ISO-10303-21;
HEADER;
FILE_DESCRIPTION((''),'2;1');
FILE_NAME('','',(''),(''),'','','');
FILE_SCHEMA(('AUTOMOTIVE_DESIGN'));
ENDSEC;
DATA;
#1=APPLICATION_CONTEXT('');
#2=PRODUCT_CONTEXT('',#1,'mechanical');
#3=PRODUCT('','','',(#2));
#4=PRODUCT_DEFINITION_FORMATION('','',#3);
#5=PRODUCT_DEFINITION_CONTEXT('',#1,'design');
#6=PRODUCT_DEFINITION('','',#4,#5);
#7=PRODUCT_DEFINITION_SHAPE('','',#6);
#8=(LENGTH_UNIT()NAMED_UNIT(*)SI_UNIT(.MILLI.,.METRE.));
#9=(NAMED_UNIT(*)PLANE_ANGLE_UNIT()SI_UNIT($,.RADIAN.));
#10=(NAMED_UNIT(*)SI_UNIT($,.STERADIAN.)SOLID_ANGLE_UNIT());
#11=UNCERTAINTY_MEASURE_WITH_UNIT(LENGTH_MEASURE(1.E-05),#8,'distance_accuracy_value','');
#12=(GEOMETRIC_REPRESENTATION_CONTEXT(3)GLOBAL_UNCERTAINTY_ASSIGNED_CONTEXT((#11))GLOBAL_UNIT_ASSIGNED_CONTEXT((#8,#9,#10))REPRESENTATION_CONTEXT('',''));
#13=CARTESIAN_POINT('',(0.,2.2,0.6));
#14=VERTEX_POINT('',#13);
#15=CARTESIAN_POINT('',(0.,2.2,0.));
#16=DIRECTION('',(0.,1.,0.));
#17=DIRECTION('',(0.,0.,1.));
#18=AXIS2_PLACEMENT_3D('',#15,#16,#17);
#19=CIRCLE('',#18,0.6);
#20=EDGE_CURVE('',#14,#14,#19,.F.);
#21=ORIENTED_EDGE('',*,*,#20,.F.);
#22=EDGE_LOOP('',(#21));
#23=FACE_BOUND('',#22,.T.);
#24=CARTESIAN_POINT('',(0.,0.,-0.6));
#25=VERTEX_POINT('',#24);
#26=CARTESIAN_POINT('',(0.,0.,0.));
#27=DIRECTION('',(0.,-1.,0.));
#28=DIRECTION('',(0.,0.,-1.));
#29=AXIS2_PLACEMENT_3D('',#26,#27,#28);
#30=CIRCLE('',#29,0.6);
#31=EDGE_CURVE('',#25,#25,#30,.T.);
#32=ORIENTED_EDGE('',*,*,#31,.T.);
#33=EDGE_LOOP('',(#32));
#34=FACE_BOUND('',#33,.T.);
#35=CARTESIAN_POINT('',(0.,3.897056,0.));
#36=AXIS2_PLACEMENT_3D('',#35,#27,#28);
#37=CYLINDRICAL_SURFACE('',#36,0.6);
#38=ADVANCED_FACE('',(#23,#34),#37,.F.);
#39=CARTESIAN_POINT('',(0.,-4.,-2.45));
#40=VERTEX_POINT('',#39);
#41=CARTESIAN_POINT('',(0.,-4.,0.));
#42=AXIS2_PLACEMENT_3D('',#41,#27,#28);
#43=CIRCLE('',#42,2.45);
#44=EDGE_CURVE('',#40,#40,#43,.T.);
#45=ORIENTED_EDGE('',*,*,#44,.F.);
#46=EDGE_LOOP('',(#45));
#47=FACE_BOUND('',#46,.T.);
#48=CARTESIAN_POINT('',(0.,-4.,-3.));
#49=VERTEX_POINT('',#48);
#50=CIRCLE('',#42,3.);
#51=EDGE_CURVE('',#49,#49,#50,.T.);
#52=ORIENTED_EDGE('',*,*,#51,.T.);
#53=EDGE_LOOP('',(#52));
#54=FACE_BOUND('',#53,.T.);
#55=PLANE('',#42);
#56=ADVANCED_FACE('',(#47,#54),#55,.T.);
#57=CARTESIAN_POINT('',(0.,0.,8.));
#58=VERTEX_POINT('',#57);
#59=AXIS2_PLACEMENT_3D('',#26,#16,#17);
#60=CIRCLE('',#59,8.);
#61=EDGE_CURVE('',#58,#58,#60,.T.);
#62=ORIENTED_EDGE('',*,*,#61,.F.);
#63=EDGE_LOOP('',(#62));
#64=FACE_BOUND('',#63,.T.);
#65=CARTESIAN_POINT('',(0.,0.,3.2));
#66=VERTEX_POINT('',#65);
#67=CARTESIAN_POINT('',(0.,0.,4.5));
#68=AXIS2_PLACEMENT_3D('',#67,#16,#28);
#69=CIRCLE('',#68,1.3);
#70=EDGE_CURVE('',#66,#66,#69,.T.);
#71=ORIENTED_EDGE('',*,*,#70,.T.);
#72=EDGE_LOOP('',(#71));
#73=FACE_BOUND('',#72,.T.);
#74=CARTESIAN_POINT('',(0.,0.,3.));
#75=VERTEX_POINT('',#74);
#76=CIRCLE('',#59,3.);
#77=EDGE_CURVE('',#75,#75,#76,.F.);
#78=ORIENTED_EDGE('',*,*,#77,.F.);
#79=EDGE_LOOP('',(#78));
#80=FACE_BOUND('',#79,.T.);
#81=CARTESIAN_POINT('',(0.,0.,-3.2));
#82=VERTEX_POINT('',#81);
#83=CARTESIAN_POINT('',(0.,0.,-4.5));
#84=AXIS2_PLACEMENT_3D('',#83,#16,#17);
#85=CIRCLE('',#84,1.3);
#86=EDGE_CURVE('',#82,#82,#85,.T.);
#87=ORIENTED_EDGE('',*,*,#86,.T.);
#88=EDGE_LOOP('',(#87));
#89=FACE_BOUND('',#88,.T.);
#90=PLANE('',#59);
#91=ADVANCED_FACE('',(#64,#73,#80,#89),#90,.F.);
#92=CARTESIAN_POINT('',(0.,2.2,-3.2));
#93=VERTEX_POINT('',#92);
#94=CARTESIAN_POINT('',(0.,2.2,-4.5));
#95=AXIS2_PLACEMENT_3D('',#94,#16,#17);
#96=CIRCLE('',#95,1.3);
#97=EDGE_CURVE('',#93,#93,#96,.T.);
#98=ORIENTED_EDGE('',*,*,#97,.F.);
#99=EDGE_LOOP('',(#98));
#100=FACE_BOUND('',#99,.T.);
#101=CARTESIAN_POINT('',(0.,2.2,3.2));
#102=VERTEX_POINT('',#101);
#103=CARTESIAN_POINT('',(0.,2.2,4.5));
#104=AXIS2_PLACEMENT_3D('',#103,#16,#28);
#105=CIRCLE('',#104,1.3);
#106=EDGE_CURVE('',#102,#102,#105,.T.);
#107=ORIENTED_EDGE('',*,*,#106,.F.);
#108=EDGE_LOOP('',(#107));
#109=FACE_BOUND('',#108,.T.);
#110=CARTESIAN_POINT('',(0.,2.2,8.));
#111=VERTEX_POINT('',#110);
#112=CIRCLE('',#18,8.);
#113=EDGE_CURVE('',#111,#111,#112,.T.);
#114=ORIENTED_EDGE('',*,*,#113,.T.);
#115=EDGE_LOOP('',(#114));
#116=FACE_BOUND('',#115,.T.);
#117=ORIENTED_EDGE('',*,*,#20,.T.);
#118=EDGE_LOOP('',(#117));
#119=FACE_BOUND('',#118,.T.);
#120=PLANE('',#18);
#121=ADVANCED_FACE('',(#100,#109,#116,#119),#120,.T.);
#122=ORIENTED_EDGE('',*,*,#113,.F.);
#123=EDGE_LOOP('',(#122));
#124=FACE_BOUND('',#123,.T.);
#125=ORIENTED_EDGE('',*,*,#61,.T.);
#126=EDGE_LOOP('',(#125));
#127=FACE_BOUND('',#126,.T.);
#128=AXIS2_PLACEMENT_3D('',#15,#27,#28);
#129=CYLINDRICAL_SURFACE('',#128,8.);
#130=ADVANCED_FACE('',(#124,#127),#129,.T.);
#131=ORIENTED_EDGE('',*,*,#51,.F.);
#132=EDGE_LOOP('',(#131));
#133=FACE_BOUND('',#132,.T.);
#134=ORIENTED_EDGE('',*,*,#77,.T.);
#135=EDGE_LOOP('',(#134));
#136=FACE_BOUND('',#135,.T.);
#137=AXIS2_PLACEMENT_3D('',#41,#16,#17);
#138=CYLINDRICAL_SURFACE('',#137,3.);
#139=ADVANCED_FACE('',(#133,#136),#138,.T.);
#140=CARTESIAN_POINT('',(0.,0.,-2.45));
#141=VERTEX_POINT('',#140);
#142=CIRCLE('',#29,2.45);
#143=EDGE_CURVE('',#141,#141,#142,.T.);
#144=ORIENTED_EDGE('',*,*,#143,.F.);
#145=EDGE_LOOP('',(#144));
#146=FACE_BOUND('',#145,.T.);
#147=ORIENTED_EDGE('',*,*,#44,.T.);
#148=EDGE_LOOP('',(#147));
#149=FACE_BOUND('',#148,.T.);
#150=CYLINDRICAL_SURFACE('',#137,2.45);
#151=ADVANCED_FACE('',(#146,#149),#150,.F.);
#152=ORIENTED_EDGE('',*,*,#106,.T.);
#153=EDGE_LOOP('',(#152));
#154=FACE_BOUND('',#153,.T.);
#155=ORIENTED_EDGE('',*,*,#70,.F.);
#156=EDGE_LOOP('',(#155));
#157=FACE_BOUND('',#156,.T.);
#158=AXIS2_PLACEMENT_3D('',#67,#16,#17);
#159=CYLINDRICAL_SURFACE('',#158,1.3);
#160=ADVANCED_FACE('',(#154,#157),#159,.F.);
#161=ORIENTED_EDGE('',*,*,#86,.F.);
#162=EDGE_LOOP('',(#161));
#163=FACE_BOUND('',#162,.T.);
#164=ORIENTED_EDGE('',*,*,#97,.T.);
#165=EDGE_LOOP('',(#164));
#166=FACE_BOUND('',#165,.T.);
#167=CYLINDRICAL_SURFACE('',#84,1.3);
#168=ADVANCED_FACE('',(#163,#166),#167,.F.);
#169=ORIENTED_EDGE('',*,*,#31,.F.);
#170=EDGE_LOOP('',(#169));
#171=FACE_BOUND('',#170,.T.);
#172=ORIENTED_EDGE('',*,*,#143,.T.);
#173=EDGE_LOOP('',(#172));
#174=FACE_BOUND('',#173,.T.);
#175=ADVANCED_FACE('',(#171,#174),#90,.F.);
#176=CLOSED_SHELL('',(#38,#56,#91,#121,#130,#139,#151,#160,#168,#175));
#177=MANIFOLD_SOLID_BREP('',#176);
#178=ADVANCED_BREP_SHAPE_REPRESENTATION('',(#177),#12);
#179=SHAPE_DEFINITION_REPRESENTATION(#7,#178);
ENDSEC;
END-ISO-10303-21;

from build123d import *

# Parameters (mm, degrees)
SKETCH1_R           = 8
BOSS_EXTRUDE1_DEPTH = 2.2
SKETCH2_R           = 1.3
CUT_EXTRUDE1_DEPTH  = 2.2
SKETCH3_R           = 3
SKETCH3_R_2         = 2.45
BOSS_EXTRUDE2_DEPTH = 4
SKETCH8_R           = 0.6
CUT_EXTRUDE7_DEPTH  = 2.2


with BuildPart() as part:
    # Sketch1 → Boss-Extrude1 (new body)
    with BuildSketch(Plane(origin=(0, 0, 0), x_dir=(1, 0, 0), z_dir=(0, 1, 0))):
        with Locations(Location((0, 0, 0), (0, 0, 270))):
            Circle(SKETCH1_R)
    extrude(amount=BOSS_EXTRUDE1_DEPTH)

    # Sketch2 → Cut-Extrude1 (cut)
    with BuildSketch(Plane(origin=(0, 2.2, 0), x_dir=(1, 0, 0), z_dir=(0, 1, 0))):
        with Locations(Location((0, 4.5, 0), (0, 0, 270))):
            Circle(SKETCH2_R)
        with Locations(Location((0, -4.5, 0), (0, 0, 90))):
            Circle(SKETCH2_R)
    extrude(amount=-CUT_EXTRUDE1_DEPTH, mode=Mode.SUBTRACT)

    # Sketch3 → Boss-Extrude2 (add)
    with BuildSketch(Plane.XZ):
        with Locations(Location((0, 0, 0), (0, 0, 90))):
            Circle(SKETCH3_R)
        with Locations(Location((0, 0, 0), (0, 0, 270))):
            Circle(SKETCH3_R_2, mode=Mode.SUBTRACT)
    extrude(amount=BOSS_EXTRUDE2_DEPTH)

    # Sketch8 → Cut-Extrude7 (cut)
    with BuildSketch(Plane.XZ):
        with Locations(Location((0, 0, 0), (0, 0, 270))):
            Circle(SKETCH8_R)
    extrude(amount=-CUT_EXTRUDE7_DEPTH, mode=Mode.SUBTRACT)


solid = part.part
